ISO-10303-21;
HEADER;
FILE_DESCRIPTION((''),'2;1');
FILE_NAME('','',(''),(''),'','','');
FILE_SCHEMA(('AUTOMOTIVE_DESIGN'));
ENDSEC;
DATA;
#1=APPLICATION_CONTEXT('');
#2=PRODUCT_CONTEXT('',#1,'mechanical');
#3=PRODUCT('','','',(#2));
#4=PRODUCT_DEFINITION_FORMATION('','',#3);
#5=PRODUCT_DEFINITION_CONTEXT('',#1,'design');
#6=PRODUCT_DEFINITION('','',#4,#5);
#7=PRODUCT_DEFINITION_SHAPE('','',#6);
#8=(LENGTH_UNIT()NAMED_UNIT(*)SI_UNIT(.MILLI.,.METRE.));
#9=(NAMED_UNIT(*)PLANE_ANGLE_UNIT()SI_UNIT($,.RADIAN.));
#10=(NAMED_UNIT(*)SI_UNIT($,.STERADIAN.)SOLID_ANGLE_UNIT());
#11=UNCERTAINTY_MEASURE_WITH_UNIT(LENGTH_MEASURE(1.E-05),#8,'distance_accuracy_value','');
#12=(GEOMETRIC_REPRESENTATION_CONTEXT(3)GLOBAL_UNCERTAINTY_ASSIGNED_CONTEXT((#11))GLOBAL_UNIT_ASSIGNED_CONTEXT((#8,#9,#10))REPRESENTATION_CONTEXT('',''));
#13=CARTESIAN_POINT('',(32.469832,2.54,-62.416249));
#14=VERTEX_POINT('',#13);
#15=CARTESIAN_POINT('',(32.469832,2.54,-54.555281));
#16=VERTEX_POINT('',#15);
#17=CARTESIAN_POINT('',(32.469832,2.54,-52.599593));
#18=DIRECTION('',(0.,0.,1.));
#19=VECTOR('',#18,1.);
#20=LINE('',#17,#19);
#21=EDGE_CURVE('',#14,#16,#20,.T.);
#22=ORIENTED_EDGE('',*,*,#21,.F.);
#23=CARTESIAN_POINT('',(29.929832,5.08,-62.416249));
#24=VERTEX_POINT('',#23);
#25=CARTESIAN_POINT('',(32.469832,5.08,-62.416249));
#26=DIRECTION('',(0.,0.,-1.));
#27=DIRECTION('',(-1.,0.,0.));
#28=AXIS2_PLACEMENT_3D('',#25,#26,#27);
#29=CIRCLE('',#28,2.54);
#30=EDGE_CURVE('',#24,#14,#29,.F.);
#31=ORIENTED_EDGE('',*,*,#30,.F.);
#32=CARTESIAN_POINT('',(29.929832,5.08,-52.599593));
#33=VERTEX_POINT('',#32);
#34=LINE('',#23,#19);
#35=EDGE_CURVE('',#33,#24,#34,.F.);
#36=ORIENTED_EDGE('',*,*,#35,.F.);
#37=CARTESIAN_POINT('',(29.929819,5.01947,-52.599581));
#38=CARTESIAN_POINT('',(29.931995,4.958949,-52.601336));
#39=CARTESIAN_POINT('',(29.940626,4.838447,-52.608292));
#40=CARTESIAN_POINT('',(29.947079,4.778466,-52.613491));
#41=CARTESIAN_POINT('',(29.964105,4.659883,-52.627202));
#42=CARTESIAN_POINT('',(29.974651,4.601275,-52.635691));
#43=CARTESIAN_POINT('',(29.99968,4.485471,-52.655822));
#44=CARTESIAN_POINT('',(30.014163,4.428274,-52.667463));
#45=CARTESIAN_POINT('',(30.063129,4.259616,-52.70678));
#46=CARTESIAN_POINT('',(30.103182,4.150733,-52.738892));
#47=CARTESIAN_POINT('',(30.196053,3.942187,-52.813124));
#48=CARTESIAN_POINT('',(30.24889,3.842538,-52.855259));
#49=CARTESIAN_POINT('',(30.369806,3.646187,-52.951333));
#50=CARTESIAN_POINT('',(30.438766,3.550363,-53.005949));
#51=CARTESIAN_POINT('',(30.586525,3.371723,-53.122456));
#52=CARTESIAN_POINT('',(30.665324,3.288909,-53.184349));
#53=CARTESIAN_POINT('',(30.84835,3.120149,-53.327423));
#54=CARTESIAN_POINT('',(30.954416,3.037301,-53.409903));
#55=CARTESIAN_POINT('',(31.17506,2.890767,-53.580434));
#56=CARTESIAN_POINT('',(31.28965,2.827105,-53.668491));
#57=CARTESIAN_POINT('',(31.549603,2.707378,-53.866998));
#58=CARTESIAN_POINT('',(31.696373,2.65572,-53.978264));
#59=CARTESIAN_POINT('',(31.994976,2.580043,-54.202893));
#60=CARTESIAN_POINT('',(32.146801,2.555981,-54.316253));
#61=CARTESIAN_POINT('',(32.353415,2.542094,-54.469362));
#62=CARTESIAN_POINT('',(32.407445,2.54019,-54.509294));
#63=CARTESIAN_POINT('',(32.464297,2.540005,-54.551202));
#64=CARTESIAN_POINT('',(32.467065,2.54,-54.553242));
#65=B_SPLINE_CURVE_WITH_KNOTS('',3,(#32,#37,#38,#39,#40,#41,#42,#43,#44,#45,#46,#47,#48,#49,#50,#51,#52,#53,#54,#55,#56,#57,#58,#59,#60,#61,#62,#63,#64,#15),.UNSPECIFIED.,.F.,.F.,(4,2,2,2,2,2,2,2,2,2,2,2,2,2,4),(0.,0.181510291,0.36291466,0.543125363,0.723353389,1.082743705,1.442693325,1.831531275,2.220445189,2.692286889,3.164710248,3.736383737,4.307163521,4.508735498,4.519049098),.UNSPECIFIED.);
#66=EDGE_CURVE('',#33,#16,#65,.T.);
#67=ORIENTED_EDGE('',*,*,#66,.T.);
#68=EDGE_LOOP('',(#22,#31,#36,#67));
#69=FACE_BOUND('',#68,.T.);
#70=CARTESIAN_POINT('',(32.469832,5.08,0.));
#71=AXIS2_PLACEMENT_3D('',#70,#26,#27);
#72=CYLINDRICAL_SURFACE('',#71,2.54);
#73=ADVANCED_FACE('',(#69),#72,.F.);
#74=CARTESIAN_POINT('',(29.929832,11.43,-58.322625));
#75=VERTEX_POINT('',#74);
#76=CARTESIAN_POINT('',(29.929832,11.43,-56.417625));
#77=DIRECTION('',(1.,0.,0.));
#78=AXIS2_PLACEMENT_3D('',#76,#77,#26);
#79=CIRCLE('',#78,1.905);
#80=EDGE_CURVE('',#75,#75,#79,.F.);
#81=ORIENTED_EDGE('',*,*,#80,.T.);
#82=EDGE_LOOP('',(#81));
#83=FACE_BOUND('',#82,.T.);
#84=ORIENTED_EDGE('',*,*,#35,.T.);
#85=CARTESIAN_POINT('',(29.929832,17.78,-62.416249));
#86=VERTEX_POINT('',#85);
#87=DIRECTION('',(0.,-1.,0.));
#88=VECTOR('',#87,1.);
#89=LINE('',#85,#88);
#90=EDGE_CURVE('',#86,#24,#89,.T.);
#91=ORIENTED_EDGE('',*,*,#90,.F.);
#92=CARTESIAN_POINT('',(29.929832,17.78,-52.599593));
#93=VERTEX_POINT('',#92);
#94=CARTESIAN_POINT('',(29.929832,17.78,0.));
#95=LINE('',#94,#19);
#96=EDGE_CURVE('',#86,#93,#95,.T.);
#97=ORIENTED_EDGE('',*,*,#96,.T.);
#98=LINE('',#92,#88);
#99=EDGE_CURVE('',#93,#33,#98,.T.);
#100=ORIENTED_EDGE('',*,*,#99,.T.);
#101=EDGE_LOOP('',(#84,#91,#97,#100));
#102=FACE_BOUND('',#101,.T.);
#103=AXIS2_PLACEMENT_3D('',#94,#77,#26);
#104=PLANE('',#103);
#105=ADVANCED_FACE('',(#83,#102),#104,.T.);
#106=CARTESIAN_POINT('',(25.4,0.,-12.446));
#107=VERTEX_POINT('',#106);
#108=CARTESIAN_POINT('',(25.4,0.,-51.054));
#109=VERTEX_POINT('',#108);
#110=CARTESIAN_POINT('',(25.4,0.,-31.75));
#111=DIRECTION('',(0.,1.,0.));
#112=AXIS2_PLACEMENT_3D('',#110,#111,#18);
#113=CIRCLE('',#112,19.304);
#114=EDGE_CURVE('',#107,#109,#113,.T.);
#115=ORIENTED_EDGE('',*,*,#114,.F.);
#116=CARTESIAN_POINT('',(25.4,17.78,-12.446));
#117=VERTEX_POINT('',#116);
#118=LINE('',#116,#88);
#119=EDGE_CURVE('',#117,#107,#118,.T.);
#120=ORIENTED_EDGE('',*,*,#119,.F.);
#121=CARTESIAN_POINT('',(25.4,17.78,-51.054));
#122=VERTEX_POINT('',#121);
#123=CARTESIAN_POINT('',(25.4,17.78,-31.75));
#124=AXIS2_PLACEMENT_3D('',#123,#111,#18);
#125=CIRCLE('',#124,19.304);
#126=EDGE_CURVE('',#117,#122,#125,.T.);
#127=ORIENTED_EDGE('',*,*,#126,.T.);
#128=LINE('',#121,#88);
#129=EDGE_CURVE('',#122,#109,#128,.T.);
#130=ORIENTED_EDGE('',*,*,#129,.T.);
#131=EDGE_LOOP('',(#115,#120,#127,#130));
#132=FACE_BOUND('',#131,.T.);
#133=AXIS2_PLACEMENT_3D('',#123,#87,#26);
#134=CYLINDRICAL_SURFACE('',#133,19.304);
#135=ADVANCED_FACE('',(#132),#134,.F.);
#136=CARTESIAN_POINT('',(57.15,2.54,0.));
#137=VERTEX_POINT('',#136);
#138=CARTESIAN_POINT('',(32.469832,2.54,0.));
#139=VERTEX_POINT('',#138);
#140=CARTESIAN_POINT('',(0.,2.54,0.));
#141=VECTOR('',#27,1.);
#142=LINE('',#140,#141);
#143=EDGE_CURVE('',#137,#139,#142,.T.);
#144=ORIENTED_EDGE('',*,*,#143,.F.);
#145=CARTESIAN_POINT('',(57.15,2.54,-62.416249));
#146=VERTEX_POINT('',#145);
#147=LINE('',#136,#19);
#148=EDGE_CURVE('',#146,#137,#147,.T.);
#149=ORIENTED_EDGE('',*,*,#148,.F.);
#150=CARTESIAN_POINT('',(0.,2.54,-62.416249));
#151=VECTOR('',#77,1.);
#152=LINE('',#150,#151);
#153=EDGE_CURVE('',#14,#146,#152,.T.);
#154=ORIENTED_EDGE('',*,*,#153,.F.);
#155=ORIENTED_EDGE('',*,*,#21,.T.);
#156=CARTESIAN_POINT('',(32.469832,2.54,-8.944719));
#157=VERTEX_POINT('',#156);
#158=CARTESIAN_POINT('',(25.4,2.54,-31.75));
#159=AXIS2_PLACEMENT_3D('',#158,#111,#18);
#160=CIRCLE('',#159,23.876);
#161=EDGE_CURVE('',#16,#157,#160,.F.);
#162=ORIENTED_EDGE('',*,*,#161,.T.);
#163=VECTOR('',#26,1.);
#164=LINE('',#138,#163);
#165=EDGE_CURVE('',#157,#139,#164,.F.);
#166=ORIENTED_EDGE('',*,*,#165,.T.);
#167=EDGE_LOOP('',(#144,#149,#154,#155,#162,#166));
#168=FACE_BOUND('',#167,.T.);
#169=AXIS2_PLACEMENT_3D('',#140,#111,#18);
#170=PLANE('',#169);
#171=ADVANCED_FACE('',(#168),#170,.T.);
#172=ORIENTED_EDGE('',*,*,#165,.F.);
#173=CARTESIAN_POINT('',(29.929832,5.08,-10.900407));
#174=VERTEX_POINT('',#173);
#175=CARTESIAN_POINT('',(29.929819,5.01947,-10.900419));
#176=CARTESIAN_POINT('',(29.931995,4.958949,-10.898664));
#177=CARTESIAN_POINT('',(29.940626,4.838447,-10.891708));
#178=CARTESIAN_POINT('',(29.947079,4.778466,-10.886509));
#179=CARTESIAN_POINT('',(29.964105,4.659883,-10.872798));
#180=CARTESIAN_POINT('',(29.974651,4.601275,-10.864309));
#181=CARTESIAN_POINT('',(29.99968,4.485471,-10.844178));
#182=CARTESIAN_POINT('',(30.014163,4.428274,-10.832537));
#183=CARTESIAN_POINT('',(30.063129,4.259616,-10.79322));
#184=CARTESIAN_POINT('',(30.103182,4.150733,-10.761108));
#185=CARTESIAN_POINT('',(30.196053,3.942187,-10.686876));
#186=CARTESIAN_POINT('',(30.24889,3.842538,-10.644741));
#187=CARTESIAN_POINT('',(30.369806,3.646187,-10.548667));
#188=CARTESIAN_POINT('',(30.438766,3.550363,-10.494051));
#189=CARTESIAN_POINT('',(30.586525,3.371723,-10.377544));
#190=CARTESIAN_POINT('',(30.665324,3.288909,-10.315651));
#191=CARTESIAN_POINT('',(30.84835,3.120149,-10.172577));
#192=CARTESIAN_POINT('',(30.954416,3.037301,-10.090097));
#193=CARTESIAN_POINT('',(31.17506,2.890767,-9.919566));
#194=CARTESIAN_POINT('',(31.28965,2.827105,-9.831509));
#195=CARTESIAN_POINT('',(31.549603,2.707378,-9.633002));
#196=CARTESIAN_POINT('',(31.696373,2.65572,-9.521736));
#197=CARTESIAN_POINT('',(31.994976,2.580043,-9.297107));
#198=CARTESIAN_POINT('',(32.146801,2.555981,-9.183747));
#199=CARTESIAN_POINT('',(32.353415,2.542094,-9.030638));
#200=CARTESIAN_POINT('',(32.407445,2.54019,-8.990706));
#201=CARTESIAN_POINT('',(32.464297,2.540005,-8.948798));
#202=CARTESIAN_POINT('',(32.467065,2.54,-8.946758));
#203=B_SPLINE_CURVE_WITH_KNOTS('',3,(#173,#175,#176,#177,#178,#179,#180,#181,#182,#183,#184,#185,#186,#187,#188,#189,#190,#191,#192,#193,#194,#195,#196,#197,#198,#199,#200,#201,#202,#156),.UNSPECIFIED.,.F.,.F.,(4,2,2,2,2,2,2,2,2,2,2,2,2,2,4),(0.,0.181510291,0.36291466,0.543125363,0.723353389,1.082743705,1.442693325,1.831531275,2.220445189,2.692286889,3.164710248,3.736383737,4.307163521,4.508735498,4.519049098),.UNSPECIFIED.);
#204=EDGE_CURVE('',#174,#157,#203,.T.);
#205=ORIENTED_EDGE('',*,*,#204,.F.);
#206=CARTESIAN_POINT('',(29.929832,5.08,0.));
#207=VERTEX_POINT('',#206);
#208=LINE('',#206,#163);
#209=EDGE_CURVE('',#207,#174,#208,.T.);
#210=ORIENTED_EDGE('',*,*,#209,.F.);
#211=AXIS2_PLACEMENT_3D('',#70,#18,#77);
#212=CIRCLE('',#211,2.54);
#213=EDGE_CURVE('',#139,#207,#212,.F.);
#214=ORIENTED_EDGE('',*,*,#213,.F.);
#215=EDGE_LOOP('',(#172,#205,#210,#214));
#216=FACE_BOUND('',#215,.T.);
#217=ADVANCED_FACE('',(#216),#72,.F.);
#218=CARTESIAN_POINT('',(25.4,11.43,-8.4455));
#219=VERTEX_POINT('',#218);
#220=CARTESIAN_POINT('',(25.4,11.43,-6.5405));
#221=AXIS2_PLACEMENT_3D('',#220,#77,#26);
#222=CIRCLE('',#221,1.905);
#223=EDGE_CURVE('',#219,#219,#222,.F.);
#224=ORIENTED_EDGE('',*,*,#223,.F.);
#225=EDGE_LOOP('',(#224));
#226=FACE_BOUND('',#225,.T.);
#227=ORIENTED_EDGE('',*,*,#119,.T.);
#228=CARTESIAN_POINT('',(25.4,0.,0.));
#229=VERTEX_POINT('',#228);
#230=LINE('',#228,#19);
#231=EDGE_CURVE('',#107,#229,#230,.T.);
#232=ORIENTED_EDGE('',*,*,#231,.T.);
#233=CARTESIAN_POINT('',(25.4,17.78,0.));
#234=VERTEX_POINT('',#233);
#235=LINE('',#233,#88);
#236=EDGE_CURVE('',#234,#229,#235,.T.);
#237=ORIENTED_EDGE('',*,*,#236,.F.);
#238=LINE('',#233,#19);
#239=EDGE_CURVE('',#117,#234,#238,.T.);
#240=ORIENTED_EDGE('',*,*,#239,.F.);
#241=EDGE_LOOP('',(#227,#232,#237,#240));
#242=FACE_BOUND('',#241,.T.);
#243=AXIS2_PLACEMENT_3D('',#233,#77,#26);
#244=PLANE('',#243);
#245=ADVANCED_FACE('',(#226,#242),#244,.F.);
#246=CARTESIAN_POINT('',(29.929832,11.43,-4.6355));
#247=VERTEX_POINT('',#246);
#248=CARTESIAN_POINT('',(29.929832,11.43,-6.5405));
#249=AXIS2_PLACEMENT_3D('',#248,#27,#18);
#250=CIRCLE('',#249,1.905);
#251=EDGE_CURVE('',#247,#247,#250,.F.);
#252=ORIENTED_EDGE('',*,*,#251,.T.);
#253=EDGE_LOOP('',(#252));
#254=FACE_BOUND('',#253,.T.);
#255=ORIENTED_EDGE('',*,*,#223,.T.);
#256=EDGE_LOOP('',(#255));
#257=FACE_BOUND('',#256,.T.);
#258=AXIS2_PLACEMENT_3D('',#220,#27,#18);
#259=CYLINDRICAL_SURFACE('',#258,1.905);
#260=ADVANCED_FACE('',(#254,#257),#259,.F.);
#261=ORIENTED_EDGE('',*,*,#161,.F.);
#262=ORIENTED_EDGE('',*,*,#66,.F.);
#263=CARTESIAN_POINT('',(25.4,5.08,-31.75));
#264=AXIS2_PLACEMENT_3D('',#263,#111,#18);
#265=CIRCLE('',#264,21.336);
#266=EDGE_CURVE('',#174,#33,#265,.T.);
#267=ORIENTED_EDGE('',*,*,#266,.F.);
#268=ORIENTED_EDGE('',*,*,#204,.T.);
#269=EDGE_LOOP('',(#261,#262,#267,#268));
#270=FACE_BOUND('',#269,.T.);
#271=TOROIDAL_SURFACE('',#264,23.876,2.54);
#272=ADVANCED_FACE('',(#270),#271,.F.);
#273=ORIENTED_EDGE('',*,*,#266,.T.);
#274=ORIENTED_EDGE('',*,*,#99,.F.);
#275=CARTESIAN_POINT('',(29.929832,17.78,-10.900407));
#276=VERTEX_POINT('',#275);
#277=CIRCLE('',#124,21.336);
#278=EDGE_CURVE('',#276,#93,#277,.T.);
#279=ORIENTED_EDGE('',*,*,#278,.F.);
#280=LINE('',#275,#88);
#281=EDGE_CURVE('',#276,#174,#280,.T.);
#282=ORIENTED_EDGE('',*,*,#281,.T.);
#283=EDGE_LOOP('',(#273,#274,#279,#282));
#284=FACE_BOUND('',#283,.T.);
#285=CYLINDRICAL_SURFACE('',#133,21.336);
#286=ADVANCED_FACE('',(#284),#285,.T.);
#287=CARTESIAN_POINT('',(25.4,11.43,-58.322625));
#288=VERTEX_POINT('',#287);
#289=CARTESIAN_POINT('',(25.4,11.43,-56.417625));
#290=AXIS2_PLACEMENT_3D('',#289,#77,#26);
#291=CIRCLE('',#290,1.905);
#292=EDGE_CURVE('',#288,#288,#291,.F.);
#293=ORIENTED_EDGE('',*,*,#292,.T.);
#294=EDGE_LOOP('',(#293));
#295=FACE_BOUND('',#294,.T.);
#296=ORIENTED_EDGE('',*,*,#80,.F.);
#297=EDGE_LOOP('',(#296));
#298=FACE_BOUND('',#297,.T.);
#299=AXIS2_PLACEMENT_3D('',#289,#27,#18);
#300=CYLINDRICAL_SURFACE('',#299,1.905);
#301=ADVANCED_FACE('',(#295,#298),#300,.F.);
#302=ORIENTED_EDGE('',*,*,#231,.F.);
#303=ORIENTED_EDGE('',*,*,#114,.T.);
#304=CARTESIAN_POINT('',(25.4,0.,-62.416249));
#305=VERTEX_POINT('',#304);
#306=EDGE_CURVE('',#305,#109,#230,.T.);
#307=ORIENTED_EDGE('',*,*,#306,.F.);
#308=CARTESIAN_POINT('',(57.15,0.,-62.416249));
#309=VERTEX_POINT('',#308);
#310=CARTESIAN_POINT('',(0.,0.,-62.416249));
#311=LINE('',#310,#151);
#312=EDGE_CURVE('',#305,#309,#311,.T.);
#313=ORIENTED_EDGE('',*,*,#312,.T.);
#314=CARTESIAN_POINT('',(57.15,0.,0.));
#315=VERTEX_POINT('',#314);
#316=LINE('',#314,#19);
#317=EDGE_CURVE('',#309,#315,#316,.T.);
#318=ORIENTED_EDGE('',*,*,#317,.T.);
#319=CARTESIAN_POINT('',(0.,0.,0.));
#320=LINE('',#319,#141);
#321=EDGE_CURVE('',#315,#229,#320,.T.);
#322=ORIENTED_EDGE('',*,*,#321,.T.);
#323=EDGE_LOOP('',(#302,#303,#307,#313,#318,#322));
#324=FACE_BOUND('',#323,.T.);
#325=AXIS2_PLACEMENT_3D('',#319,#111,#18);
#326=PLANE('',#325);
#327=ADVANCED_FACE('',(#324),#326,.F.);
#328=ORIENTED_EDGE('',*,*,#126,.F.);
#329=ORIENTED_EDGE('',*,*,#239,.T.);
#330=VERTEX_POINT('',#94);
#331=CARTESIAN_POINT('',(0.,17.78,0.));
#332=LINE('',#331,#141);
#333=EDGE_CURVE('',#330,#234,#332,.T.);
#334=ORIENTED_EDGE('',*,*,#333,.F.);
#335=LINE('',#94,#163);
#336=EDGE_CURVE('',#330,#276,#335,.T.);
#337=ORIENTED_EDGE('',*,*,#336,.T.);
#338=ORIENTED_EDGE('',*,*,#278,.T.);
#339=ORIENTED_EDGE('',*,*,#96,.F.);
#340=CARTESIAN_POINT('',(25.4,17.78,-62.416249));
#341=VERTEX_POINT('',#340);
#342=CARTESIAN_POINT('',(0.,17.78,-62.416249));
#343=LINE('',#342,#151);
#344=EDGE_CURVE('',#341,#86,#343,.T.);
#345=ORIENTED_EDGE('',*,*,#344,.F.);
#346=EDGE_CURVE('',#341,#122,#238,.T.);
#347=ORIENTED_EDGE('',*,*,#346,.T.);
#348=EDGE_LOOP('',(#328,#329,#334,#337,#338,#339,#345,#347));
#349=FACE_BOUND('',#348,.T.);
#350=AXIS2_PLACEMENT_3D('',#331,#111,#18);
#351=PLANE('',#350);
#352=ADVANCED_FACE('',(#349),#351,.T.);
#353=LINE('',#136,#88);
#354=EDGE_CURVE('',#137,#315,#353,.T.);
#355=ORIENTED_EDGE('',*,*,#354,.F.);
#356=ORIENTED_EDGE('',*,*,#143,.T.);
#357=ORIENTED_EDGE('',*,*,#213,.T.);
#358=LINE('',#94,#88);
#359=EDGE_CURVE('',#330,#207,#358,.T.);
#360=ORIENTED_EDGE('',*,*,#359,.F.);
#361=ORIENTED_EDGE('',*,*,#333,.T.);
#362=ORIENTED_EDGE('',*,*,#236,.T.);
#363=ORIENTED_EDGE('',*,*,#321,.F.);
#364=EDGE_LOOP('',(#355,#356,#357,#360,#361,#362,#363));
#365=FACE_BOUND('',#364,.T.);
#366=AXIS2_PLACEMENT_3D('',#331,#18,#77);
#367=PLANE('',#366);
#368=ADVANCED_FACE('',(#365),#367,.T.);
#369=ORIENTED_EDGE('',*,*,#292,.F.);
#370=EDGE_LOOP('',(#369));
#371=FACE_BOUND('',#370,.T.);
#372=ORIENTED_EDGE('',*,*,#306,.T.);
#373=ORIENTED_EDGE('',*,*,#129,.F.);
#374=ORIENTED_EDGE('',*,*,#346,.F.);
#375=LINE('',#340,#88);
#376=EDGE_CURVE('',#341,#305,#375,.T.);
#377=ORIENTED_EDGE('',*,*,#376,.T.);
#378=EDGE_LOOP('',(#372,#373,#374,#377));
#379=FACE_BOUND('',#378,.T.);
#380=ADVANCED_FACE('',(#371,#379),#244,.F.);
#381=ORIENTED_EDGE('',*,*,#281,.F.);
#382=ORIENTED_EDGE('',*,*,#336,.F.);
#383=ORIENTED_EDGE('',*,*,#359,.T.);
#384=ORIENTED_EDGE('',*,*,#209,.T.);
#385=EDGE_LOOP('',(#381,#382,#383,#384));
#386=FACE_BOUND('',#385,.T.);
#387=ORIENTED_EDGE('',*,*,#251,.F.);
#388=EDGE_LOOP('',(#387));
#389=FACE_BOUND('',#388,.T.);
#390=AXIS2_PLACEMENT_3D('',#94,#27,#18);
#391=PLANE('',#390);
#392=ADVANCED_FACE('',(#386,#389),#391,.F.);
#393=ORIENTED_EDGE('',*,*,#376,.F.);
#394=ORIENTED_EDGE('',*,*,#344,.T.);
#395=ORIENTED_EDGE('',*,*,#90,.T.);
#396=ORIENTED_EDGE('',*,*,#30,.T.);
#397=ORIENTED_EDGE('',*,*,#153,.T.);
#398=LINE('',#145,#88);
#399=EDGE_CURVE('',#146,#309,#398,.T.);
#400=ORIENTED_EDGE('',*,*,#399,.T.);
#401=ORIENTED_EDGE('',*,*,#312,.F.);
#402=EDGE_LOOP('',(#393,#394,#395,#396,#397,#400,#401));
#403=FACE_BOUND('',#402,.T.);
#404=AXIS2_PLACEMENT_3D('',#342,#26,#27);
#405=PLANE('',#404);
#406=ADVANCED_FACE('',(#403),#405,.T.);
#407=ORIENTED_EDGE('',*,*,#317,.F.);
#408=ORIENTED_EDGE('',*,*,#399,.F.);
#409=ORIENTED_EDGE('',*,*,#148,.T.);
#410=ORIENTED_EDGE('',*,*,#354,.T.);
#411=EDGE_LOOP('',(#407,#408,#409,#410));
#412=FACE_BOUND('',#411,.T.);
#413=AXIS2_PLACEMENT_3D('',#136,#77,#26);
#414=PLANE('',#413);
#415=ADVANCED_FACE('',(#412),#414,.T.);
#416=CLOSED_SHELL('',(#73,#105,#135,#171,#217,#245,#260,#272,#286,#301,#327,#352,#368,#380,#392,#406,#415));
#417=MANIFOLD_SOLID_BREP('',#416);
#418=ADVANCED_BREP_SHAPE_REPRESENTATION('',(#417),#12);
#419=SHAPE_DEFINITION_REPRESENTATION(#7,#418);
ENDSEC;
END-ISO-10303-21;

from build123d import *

# Parameters (mm, degrees)
BOSS_EXTRUDE12_DEPTH    = 17.78
BOSS_EXTRUDE13_DEPTH    = 2.54
FILLET2_R               = 2.54
SKETCH5_R               = 1.905
CUT_EXTRUDE1_DEPTH      = 58.15
CUT_EXTRUDE1_DEPTH_BACK = 1


with BuildPart() as part:
    # Sketch3 → Boss-Extrude12 (new body)
    with BuildSketch(Plane(origin=(0, 0, 0), x_dir=(1, 0, 0), z_dir=(0, 1, 0))):
        with BuildLine():
            Line((25.4, 12.446), (25.4, 0))
            Line((25.4, 0), (29.929832056, 0))
            Line((29.929832056, 0), (29.929832056, 10.900407257))
            ThreePointArc((29.929832056, 10.900407257), (46.736, 31.75), (29.929832056, 52.599592743))
            Line((29.929832056, 52.599592743), (29.929832056, 62.41624918))
            Line((29.929832056, 62.41624918), (25.4, 62.41624918))
            Line((25.4, 62.41624918), (25.4, 51.054))
            ThreePointArc((25.4, 51.054), (39.049989304, 45.399989304), (44.704, 31.75))
            ThreePointArc((44.704, 31.75), (39.049989304, 18.100010696), (25.4, 12.446))
        make_face()
    extrude(amount=BOSS_EXTRUDE12_DEPTH)

    # Sketch3<16> → Boss-Extrude13 (add)
    with BuildSketch(Plane(origin=(0, 0, 0), x_dir=(1, 0, 0), z_dir=(0, 1, 0))):
        with BuildLine():
            Line((29.929832056, 10.900407257), (29.929832056, 0))
            Line((29.929832056, 0), (57.15, 0))
            Line((57.15, 0), (57.15, 62.41624918))
            Line((57.15, 62.41624918), (29.929832056, 62.41624918))
            Line((29.929832056, 62.41624918), (29.929832056, 52.599592743))
            ThreePointArc((29.929832056, 52.599592743), (46.736, 31.75), (29.929832056, 10.900407257))
        make_face()
    extrude(amount=BOSS_EXTRUDE13_DEPTH)

    # Fillet2
    fillet2_edges = [part.edges().sort_by_distance(p)[0] for p in [
        (46.736, 2.54, -31.75),
        (29.929832056, 2.54, -5.450203629),
        (29.929832056, 2.54, -57.507920962),
    ]]
    fillet(fillet2_edges, radius=FILLET2_R)

    # Sketch5 → Cut-Extrude1 (cut, two sides)
    with BuildSketch(Plane(origin=(0, 0, 0), x_dir=(0, 0, -1), z_dir=(1, 0, 0))) as cut_extrude1_sk:
        with Locations((6.5405, 11.43)):
            Circle(SKETCH5_R)
        with Locations((56.41762459, 11.43)):
            Circle(SKETCH5_R)
    extrude(amount=CUT_EXTRUDE1_DEPTH, mode=Mode.SUBTRACT)
    extrude(cut_extrude1_sk.sketch, amount=-CUT_EXTRUDE1_DEPTH_BACK, mode=Mode.SUBTRACT)


solid = part.part
